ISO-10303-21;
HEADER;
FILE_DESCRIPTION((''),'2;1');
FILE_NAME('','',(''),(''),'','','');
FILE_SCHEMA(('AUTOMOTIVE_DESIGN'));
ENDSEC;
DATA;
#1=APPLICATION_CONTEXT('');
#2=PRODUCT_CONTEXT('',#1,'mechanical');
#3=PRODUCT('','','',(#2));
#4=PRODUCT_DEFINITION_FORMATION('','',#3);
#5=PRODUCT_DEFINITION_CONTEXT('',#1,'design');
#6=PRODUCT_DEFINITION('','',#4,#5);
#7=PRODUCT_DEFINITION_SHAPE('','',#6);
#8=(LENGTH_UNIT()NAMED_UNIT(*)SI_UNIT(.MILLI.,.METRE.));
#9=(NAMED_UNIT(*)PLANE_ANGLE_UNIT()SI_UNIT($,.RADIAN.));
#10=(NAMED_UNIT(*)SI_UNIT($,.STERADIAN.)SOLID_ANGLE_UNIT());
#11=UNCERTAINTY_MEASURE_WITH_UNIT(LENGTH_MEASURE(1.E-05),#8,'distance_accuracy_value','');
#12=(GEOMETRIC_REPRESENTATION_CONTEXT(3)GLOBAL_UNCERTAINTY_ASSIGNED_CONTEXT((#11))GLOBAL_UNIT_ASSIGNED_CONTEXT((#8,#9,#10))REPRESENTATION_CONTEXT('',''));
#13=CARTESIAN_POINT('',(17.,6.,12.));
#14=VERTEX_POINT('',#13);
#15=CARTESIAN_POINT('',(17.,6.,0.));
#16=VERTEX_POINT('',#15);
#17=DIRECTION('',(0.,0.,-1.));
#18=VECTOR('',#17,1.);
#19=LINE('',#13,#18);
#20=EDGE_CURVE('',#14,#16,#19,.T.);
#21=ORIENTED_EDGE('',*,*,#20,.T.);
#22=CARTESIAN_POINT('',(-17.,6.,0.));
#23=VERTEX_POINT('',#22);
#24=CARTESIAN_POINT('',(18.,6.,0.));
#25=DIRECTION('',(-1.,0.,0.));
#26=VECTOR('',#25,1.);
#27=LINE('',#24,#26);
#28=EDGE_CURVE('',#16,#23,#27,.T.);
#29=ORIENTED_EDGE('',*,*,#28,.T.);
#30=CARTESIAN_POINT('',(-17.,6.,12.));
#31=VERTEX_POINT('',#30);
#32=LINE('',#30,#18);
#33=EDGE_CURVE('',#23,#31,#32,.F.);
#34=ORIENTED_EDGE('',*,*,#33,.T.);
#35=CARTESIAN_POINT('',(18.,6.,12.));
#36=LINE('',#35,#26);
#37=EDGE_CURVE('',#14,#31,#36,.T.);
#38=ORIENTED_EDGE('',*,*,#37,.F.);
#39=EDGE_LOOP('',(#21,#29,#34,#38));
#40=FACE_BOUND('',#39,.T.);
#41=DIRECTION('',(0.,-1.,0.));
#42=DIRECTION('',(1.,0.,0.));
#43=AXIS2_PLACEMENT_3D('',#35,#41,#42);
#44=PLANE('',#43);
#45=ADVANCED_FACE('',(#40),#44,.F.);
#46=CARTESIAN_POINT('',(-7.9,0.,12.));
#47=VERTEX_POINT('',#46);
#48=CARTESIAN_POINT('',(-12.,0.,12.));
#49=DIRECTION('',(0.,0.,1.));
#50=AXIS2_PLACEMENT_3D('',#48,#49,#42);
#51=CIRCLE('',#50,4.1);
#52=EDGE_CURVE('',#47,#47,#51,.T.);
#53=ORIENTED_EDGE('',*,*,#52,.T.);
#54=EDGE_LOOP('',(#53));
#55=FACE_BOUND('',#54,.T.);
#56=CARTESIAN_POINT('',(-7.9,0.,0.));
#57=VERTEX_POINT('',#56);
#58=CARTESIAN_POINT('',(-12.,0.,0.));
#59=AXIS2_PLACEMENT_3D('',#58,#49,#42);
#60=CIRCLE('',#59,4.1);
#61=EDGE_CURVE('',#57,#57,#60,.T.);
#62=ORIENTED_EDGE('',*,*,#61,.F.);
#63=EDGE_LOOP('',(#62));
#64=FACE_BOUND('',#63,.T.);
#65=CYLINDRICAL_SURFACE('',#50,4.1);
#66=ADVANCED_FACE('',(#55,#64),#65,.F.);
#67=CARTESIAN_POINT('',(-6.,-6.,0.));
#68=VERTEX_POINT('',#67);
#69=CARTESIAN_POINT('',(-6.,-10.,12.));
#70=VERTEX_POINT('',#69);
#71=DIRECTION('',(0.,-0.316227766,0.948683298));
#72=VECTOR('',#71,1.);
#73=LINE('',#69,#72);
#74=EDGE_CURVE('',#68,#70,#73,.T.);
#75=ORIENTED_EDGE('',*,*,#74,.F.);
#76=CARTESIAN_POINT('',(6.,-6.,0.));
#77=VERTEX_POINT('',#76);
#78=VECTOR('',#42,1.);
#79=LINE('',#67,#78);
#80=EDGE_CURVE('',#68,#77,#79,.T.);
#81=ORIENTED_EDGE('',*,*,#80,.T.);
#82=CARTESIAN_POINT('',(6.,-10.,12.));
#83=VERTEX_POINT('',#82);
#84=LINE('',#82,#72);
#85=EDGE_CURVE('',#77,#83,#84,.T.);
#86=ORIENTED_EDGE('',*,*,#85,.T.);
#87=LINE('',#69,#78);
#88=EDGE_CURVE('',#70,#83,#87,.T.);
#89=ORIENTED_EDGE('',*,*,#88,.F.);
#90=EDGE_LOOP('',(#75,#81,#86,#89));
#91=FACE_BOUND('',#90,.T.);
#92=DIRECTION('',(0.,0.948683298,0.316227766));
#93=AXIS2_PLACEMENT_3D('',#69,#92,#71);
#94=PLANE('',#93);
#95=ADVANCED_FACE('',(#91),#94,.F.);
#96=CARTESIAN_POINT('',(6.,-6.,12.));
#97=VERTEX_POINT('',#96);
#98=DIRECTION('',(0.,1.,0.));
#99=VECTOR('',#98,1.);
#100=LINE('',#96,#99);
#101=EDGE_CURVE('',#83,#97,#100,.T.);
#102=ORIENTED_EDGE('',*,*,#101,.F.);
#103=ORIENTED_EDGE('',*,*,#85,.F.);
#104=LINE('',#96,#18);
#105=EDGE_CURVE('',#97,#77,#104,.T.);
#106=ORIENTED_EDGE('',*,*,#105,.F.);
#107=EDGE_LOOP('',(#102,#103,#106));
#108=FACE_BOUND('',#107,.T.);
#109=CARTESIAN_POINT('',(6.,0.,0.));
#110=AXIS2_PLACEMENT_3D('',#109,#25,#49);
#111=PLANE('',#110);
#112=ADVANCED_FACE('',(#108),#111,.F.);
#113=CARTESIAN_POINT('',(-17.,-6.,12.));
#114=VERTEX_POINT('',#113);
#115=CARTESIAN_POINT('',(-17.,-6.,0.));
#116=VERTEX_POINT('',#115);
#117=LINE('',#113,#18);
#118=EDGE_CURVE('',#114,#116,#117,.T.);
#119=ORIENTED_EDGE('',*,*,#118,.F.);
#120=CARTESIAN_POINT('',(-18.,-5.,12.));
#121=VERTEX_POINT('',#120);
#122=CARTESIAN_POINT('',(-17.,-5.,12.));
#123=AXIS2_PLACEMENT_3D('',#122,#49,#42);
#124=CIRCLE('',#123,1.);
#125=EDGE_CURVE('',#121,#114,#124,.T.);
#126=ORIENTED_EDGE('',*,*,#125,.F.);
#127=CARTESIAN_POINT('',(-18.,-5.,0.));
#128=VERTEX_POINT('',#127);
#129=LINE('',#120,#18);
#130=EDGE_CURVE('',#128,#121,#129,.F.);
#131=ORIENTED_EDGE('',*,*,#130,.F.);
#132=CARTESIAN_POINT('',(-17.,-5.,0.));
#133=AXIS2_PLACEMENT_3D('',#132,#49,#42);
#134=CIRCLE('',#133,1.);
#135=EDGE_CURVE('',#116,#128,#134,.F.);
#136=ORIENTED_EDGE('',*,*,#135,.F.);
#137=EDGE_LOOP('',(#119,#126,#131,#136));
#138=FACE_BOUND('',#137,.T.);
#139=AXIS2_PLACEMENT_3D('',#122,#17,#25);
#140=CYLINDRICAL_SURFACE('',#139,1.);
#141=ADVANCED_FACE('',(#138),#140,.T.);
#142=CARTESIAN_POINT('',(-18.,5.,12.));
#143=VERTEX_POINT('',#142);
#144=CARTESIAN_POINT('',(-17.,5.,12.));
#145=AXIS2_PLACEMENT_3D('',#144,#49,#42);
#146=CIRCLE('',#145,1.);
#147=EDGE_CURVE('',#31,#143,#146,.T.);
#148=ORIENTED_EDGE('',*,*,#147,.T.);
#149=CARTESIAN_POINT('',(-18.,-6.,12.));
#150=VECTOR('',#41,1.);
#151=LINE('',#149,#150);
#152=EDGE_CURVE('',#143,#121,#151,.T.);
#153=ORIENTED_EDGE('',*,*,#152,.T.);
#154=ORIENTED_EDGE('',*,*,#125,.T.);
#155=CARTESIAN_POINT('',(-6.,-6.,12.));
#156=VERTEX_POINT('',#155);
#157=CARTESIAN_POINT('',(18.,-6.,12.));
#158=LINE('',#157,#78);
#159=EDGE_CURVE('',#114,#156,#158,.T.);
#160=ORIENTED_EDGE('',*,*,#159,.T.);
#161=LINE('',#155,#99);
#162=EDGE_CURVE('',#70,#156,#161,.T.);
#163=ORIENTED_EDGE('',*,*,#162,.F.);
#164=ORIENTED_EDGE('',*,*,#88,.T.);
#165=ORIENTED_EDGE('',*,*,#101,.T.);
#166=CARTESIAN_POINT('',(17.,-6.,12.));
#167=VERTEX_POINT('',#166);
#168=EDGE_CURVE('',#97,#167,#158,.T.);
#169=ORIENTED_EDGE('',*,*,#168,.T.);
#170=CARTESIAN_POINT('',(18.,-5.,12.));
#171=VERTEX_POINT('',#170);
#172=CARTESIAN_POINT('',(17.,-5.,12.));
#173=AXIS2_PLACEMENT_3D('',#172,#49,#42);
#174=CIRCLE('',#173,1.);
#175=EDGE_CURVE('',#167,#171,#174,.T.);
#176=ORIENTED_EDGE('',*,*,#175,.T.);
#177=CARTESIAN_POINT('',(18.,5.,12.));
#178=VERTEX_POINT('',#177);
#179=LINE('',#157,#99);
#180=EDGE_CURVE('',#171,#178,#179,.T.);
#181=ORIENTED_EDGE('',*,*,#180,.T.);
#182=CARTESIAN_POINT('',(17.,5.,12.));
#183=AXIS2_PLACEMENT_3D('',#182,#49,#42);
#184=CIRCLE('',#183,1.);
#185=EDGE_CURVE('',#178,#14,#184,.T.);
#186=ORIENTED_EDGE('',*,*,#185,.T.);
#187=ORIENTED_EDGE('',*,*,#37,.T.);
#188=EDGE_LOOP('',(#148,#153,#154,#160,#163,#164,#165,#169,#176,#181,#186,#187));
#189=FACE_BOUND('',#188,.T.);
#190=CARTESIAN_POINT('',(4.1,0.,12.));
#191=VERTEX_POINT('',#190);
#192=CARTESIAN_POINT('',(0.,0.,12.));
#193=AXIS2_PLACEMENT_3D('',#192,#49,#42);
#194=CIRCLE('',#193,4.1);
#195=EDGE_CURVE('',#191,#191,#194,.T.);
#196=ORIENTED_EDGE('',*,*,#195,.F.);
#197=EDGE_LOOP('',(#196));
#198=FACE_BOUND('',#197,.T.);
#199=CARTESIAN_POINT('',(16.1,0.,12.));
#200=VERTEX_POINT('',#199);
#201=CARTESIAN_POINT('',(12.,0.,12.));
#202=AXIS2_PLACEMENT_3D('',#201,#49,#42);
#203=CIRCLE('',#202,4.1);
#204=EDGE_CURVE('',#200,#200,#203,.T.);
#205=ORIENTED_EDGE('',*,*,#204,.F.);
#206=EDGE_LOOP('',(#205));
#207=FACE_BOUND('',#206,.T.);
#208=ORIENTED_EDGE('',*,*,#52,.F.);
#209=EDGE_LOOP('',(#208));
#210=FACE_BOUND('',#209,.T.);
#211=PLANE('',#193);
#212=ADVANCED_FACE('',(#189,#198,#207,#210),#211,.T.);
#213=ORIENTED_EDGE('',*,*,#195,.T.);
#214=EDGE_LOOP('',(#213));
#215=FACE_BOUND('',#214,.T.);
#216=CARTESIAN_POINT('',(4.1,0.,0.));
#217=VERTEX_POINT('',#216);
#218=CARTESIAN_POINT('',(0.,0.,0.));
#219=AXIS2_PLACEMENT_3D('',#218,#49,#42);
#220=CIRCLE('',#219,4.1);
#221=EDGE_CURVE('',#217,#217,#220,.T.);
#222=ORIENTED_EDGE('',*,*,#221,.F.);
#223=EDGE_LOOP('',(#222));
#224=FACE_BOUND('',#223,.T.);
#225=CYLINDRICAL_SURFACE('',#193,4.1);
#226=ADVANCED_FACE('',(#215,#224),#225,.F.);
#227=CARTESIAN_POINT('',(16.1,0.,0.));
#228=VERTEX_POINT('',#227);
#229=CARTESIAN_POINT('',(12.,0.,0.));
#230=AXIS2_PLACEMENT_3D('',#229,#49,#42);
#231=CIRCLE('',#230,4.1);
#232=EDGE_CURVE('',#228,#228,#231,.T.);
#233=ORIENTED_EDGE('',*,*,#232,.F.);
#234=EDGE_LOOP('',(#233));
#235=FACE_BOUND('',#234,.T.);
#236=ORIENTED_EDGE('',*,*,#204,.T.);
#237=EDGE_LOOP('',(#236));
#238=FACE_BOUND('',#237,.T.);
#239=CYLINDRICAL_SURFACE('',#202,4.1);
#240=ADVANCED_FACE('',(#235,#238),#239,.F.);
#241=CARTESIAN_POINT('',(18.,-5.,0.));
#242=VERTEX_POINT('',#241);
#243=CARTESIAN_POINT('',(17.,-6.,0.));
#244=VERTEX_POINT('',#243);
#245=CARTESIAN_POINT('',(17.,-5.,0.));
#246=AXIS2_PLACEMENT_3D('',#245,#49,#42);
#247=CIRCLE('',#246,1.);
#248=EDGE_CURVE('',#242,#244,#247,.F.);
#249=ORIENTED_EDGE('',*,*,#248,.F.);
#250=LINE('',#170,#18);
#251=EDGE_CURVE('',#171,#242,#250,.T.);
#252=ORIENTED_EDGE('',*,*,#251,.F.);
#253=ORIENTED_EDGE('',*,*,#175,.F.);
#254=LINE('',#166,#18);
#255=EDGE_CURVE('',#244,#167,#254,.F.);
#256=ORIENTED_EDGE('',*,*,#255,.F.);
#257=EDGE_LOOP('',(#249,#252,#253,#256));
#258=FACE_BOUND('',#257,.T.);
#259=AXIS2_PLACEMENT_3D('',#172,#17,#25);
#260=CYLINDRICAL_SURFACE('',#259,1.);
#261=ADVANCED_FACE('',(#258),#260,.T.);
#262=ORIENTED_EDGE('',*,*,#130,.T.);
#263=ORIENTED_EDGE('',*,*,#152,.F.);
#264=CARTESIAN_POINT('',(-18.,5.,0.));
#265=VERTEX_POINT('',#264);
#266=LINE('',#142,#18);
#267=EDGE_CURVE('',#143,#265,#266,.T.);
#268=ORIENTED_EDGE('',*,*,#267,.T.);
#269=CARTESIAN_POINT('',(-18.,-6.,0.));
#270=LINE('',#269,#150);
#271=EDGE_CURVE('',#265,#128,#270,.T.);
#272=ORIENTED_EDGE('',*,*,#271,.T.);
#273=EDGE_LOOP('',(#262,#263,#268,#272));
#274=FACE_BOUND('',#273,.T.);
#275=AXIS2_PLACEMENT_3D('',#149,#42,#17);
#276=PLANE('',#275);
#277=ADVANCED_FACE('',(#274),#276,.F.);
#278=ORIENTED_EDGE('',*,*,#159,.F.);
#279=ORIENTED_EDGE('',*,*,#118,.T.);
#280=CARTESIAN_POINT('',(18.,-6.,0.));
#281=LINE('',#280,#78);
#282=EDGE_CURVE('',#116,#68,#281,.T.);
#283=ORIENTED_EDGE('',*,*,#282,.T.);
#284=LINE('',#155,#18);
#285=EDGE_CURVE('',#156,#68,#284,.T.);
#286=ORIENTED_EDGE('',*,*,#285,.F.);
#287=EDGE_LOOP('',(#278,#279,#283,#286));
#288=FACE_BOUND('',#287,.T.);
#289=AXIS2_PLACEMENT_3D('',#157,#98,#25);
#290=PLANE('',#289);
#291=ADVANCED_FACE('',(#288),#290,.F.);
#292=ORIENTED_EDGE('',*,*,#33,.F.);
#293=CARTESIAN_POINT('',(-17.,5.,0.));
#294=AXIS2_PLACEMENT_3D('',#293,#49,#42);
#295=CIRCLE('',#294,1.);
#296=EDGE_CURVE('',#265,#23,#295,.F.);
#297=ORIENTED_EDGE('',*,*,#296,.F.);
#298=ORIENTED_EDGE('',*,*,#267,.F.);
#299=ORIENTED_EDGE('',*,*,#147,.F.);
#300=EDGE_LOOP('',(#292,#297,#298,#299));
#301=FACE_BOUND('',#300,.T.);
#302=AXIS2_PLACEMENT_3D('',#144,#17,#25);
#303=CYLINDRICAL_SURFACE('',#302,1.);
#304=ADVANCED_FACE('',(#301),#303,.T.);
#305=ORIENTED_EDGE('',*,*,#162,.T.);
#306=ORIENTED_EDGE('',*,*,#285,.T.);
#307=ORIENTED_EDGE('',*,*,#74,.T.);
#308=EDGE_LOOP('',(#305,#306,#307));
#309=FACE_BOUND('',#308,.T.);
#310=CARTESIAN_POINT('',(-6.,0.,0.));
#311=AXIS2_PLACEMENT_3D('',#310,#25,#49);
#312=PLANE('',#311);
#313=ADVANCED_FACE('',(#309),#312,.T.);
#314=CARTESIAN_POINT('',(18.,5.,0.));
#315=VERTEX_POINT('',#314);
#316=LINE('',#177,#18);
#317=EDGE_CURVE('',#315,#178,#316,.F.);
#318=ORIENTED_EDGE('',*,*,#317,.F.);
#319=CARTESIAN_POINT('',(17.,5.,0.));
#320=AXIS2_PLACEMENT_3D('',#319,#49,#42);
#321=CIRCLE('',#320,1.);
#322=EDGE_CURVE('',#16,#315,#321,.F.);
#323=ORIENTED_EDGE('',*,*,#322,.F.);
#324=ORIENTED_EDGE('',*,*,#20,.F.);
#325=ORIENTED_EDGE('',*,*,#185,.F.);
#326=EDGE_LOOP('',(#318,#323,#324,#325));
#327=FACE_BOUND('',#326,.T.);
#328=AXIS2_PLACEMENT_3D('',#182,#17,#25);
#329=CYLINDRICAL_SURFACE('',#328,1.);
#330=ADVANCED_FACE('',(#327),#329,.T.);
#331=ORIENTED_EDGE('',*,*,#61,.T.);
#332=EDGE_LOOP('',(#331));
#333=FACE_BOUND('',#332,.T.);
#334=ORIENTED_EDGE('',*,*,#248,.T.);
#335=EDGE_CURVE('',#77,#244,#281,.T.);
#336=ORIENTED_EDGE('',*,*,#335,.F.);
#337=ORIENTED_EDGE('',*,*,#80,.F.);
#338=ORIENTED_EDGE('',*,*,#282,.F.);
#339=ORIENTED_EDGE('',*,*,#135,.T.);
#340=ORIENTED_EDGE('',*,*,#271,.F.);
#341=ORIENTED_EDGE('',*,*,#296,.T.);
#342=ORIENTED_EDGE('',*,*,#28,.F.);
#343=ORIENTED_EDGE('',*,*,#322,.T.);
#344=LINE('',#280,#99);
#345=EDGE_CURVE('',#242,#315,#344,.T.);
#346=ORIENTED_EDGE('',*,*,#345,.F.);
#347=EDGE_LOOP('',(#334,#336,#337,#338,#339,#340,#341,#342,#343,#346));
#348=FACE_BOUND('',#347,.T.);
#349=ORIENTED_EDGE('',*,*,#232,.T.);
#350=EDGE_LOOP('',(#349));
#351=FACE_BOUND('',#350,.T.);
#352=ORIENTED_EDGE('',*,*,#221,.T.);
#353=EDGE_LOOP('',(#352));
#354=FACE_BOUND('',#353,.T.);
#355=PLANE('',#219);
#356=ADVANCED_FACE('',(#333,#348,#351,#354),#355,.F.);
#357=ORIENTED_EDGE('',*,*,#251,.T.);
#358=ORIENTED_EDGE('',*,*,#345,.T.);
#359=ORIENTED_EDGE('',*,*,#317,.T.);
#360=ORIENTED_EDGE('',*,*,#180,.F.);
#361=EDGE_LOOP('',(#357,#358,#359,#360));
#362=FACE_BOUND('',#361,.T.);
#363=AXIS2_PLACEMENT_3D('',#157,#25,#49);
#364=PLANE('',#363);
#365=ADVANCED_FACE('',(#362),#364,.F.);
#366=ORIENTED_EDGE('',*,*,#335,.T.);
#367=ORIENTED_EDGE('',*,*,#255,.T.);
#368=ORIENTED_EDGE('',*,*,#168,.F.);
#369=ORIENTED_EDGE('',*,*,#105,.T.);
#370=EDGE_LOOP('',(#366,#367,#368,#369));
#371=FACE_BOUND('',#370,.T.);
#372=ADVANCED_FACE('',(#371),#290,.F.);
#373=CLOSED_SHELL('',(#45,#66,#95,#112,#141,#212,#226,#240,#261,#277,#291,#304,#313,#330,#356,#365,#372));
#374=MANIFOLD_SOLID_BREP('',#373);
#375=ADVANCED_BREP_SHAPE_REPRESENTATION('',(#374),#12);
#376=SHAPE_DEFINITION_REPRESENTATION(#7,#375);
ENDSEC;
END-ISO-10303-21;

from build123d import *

# Parameters (mm, degrees)
SKETCH1_W             = 36
SKETCH1_H             = 12
BOSS_EXTRUDE1_DEPTH   = 12
F_3_0MM_DOWEL_HOLE1_D = 8.2
BOSS_EXTRUDE2_DEPTH   = 6
FILLET2_R             = 1


with BuildPart() as part:
    # Sketch1 → Boss-Extrude1 (new body)
    with BuildSketch(Plane.XY):
        Rectangle(SKETCH1_W, SKETCH1_H)
    extrude(amount=BOSS_EXTRUDE1_DEPTH)

    # Ø3.0mm Dowel Hole1 (through all)
    with Locations(Plane.XY.offset(12)):
        with Locations((-12, 0), (12, 0), (0, 0)):
            Hole(F_3_0MM_DOWEL_HOLE1_D / 2)

    # Sketch4 → Boss-Extrude2 (add, symmetric)
    with BuildSketch(Plane.ZY):
        Polygon((12, -6), (12, -10), (0, -6), align=None)
    extrude(amount=BOSS_EXTRUDE2_DEPTH, both=True)

    # Fillet2
    fillet2_edges = [part.edges().sort_by_distance(p)[0] for p in [
        (-18, 6, 6),
        (18, 6, 6),
        (18, -6, 6),
        (-18, -6, 6),
    ]]
    fillet(fillet2_edges, radius=FILLET2_R)


solid = part.part
